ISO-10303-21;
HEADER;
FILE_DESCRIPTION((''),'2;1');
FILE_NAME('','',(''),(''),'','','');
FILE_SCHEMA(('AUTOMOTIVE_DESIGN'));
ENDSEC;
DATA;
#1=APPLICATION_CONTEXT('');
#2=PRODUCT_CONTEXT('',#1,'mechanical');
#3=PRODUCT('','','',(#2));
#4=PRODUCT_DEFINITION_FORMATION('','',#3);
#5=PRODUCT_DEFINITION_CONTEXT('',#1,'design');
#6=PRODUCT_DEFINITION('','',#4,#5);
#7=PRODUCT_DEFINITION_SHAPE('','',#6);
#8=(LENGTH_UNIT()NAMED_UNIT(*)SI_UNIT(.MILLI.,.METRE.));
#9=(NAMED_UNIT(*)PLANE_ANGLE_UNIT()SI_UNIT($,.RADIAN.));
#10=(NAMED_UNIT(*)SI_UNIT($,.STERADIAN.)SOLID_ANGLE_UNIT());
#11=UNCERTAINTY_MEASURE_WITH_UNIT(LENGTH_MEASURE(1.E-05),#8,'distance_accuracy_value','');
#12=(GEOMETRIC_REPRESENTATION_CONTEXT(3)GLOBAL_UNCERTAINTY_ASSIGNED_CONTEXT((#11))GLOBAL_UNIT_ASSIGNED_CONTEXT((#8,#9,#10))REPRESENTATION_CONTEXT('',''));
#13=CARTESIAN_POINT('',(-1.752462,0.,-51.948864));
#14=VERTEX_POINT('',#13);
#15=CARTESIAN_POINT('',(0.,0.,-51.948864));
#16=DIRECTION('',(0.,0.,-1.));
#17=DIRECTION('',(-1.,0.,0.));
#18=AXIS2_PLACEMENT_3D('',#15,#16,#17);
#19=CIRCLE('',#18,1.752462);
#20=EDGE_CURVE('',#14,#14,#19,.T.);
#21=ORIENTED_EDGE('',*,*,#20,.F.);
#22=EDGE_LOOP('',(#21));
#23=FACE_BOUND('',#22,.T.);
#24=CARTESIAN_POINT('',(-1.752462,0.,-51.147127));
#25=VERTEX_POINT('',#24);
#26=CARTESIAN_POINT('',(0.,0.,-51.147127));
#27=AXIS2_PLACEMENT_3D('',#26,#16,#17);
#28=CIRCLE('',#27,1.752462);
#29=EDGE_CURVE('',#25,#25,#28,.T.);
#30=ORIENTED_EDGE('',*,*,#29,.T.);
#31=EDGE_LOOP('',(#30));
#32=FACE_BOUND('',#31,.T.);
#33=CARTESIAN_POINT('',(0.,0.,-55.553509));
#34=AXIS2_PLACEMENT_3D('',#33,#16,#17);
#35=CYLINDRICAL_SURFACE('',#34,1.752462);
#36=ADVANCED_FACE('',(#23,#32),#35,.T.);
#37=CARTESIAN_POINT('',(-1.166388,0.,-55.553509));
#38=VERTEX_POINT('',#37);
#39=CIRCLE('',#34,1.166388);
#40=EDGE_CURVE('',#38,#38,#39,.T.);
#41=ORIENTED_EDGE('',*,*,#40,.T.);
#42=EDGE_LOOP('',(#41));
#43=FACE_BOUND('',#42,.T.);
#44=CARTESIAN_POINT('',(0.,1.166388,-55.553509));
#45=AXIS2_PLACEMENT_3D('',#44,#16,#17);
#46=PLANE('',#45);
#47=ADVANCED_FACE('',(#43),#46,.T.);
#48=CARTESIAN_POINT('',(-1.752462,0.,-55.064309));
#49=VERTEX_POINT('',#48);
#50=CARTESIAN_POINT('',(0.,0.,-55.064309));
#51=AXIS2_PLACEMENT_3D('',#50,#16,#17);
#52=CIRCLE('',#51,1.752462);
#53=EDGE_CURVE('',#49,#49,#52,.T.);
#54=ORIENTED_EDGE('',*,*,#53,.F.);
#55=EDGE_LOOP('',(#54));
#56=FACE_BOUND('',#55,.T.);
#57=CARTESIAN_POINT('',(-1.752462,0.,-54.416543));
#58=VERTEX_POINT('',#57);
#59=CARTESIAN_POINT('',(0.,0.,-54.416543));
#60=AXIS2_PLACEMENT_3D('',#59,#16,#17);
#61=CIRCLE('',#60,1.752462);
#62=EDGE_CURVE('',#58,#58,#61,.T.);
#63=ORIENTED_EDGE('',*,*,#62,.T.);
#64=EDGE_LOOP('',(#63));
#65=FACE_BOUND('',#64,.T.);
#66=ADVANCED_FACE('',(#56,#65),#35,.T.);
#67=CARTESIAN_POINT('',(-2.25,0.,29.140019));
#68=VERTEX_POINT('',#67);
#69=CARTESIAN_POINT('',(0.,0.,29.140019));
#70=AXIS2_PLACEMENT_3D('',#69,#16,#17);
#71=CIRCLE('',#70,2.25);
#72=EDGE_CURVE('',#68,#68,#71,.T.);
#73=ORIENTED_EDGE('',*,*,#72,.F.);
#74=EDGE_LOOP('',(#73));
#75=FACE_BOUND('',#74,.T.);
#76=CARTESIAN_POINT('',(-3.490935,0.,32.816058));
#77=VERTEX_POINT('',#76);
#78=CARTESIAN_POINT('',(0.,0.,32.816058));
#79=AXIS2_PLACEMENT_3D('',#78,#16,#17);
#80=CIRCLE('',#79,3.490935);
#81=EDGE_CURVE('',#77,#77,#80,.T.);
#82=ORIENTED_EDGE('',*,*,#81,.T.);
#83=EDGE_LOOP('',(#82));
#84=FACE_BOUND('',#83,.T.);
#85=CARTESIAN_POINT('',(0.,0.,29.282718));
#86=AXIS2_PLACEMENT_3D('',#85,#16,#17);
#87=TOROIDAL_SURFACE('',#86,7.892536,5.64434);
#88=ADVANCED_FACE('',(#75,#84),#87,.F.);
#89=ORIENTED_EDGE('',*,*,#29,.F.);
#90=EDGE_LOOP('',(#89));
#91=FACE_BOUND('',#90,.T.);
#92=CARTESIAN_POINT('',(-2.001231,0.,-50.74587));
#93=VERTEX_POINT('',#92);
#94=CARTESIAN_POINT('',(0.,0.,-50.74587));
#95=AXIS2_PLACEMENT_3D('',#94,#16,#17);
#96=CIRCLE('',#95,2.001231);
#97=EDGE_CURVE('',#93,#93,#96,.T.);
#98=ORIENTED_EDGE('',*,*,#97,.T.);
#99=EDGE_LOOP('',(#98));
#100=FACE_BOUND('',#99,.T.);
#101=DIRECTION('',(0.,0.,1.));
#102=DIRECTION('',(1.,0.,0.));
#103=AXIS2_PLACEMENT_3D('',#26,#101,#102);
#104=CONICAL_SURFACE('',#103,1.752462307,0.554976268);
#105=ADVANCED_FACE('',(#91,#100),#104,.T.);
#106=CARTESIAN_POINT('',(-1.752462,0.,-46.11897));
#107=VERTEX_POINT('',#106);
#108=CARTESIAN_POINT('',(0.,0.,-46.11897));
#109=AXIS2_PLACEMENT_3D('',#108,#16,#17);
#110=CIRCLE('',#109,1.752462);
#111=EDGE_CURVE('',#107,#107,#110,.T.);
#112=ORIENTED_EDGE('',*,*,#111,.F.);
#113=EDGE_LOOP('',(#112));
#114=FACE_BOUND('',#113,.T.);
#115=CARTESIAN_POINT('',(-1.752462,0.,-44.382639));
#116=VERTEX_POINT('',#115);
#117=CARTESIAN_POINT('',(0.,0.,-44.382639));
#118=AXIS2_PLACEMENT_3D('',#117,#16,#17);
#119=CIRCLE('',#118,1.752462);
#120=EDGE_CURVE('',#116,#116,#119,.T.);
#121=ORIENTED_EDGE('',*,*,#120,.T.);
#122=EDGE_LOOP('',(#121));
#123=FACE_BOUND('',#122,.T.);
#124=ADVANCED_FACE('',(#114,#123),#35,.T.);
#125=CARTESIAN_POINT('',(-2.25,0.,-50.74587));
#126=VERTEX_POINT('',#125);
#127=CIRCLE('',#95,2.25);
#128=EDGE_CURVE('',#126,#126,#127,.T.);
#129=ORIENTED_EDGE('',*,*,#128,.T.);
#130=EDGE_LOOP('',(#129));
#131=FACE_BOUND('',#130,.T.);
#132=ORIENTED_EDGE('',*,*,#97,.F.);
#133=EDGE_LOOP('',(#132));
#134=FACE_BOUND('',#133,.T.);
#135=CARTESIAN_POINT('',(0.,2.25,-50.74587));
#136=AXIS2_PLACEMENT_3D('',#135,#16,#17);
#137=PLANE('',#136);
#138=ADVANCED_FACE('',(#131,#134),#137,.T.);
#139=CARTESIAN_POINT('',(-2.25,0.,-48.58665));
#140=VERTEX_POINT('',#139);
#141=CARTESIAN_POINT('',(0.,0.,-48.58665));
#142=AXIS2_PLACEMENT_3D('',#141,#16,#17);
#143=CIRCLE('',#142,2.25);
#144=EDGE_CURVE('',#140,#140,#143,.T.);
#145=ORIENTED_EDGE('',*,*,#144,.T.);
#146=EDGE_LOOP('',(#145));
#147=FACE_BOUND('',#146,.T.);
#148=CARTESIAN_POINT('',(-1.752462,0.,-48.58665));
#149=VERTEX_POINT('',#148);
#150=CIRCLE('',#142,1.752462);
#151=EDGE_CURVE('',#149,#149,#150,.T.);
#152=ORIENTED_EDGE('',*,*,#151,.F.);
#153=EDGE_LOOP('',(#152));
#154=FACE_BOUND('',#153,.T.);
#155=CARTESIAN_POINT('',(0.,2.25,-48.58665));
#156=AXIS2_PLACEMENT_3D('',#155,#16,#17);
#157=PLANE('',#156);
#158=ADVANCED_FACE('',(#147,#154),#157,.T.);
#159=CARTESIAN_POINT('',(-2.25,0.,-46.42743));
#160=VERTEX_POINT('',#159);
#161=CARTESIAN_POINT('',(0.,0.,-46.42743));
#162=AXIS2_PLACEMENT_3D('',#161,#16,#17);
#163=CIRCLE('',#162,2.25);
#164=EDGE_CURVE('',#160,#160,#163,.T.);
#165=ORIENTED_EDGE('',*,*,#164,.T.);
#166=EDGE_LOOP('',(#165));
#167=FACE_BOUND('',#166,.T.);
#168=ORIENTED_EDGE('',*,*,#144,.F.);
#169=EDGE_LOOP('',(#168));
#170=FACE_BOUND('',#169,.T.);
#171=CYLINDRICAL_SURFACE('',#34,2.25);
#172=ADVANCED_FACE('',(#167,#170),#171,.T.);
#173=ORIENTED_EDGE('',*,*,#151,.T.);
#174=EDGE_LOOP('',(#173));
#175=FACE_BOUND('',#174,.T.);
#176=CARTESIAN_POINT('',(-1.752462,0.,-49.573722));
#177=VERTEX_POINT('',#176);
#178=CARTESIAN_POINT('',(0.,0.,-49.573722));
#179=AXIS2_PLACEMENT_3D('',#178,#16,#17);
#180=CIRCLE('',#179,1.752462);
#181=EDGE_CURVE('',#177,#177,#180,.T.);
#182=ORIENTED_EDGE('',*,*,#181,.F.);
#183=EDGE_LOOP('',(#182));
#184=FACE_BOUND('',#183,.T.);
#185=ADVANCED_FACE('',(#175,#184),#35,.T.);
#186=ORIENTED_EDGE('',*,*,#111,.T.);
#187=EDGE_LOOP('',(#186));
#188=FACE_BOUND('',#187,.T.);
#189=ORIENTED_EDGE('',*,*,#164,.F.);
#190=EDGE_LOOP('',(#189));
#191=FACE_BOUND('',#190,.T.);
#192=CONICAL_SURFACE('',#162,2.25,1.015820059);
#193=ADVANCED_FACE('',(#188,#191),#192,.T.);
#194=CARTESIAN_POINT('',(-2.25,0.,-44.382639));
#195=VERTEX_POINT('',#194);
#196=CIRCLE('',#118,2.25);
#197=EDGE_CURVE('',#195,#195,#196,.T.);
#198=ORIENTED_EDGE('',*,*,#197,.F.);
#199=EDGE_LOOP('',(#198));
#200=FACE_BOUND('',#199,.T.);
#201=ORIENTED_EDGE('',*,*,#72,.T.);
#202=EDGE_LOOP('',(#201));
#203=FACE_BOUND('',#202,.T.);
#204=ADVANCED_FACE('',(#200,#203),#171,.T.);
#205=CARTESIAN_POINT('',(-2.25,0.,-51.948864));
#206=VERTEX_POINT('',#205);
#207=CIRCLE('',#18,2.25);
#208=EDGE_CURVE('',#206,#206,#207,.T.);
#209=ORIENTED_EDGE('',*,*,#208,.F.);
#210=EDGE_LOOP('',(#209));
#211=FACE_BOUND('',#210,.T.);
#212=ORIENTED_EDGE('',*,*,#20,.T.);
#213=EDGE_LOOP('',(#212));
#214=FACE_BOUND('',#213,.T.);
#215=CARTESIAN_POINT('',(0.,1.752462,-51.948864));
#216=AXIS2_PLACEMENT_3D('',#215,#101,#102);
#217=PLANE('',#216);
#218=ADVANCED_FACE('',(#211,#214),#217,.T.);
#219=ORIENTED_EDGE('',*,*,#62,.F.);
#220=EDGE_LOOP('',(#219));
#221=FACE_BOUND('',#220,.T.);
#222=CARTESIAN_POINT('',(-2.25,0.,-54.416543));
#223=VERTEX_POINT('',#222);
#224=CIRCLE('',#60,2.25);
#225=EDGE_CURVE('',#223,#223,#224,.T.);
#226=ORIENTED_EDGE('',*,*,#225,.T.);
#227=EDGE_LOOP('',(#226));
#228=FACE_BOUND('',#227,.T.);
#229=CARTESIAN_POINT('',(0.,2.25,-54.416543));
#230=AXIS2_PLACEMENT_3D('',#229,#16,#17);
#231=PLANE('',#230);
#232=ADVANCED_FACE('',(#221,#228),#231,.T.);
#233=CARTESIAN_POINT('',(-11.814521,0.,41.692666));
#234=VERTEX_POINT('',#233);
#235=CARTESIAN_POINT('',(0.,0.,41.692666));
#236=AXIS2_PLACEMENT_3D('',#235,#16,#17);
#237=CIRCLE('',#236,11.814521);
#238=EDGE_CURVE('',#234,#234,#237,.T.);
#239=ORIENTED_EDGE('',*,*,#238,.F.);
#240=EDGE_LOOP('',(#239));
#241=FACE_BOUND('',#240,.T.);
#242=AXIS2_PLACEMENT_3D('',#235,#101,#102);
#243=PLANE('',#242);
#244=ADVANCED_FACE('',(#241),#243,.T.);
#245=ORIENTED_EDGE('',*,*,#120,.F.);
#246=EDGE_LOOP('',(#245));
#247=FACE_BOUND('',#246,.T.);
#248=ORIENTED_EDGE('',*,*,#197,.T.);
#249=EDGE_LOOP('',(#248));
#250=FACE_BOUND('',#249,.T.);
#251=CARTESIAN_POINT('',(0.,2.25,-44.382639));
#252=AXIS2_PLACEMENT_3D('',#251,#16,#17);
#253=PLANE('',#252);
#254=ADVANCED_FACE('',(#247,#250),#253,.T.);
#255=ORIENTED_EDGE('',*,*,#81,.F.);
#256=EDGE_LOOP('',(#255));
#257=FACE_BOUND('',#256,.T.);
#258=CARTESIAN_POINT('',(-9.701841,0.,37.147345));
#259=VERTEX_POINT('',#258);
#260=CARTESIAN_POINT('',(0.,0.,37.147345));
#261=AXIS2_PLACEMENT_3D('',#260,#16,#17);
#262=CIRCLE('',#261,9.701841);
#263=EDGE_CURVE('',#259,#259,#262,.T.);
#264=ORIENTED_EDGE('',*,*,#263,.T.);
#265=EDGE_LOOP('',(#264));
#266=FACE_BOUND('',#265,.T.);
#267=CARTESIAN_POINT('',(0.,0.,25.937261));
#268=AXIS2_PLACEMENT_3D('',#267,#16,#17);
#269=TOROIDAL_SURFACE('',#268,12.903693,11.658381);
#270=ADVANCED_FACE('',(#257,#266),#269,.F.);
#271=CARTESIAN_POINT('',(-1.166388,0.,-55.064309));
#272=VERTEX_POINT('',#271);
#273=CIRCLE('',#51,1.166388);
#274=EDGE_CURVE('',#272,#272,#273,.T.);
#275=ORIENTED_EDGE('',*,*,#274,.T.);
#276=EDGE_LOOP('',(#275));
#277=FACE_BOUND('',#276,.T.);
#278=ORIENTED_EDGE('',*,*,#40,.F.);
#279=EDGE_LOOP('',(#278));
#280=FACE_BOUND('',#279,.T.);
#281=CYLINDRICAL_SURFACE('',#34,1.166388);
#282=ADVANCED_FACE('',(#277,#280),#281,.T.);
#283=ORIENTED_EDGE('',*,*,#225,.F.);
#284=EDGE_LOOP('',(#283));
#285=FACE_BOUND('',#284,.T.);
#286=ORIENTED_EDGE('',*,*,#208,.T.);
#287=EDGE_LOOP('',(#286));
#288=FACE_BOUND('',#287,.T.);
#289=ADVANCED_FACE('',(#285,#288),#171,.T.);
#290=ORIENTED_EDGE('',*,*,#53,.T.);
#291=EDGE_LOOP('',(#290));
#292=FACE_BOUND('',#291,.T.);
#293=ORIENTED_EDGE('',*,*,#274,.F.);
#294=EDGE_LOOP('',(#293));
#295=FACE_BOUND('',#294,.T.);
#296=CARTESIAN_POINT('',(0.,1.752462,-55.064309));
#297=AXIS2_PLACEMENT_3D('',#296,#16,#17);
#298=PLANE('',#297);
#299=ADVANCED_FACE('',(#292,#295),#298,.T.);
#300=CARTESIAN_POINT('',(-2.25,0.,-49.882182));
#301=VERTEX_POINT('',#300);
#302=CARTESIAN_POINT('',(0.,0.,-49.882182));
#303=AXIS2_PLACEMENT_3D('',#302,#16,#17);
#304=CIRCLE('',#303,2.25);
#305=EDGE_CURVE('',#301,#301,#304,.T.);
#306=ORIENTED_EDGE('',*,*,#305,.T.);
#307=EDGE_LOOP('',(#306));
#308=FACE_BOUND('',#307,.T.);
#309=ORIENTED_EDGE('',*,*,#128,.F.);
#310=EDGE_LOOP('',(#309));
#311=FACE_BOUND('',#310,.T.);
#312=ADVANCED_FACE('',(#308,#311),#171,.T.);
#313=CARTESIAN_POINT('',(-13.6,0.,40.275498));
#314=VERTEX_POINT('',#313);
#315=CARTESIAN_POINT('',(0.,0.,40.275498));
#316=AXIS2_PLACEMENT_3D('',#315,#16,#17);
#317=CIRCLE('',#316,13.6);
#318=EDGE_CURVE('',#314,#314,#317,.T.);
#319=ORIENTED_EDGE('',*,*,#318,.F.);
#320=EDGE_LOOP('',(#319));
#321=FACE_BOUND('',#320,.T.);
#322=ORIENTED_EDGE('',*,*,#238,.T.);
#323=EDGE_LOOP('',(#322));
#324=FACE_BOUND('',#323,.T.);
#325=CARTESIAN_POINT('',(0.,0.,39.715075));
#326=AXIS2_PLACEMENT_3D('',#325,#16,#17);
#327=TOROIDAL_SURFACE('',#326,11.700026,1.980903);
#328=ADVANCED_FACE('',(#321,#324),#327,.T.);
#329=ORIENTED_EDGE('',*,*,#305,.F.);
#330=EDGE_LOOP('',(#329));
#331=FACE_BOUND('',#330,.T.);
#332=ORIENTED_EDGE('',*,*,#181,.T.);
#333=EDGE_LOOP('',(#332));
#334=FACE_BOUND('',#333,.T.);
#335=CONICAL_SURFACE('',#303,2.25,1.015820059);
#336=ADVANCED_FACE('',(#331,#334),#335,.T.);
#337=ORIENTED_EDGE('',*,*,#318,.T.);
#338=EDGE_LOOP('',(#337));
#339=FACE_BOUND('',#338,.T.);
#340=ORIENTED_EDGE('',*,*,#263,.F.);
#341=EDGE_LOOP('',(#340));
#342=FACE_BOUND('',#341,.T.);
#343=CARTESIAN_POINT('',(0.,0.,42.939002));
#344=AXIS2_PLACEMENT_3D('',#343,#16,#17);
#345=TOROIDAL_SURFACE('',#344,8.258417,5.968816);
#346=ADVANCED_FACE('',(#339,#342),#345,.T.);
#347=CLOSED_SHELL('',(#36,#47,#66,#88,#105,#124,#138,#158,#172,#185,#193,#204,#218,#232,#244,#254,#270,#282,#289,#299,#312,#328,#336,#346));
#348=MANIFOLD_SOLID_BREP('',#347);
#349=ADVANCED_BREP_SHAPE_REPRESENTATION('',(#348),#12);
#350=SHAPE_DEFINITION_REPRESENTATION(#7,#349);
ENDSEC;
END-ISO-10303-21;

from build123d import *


with BuildPart() as part:
    # Sketch1 → Revolve1 (revolve)
    with BuildSketch(Plane(origin=(0, 0, 0), x_dir=(0, 0, -1), z_dir=(1, 0, 0)), mode=Mode.PRIVATE) as revolve1_sk:
        with BuildLine():
            Line((55.553509337, 0), (-41.692666331, 0))
            Line((-41.692666331, 0), (-41.692666331, 11.814520799))
            ThreePointArc((-41.692666331, 11.814520799), (-41.266642905, 12.931534366), (-40.275497627, 13.6))
            ThreePointArc((-40.275497627, 13.6), (-38.283752535, 11.994111634), (-37.147345345, 9.701841002))
            ThreePointArc((-37.147345345, 9.701841002), (-35.499987602, 6.234951959), (-32.81605757, 3.490935421))
            ThreePointArc((-32.81605757, 3.490935421), (-31.088013134, 2.544687339), (-29.140018683, 2.25))
            Line((-29.140018683, 2.25), (44.382638792, 2.25))
            Line((44.382638792, 2.25), (44.382638792, 1.752462307))
            Line((44.382638792, 1.752462307), (46.11897024, 1.752462307))
            Line((46.11897024, 1.752462307), (46.427430207, 2.25))
            Line((46.427430207, 2.25), (48.58664997, 2.25))
            Line((48.58664997, 2.25), (48.58664997, 1.752462307))
            Line((48.58664997, 1.752462307), (49.573721861, 1.752462307))
            Line((49.573721861, 1.752462307), (49.882181827, 2.25))
            Line((49.882181827, 2.25), (50.745869733, 2.25))
            Line((50.745869733, 2.25), (50.745869733, 2.001231153))
            Line((50.745869733, 2.001231153), (51.147127243, 1.752462307))
            Line((51.147127243, 1.752462307), (51.948863601, 1.752462307))
            Line((51.948863601, 1.752462307), (51.948863601, 2.25))
            Line((51.948863601, 2.25), (54.41654333, 2.25))
            Line((54.41654333, 2.25), (54.41654333, 1.752462307))
            Line((54.41654333, 1.752462307), (55.064309259, 1.752462307))
            Line((55.064309259, 1.752462307), (55.064309259, 1.166388371))
            Line((55.064309259, 1.166388371), (55.553509337, 1.166388371))
            Line((55.553509337, 1.166388371), (55.553509337, 0))
        make_face()
    revolve(revolve1_sk.sketch.rotate(Axis((0, 0, -55.553509337), (0, 0, 1)), 90), axis=Axis((0, 0, -55.553509337), (0, 0, 1)))


solid = part.part
